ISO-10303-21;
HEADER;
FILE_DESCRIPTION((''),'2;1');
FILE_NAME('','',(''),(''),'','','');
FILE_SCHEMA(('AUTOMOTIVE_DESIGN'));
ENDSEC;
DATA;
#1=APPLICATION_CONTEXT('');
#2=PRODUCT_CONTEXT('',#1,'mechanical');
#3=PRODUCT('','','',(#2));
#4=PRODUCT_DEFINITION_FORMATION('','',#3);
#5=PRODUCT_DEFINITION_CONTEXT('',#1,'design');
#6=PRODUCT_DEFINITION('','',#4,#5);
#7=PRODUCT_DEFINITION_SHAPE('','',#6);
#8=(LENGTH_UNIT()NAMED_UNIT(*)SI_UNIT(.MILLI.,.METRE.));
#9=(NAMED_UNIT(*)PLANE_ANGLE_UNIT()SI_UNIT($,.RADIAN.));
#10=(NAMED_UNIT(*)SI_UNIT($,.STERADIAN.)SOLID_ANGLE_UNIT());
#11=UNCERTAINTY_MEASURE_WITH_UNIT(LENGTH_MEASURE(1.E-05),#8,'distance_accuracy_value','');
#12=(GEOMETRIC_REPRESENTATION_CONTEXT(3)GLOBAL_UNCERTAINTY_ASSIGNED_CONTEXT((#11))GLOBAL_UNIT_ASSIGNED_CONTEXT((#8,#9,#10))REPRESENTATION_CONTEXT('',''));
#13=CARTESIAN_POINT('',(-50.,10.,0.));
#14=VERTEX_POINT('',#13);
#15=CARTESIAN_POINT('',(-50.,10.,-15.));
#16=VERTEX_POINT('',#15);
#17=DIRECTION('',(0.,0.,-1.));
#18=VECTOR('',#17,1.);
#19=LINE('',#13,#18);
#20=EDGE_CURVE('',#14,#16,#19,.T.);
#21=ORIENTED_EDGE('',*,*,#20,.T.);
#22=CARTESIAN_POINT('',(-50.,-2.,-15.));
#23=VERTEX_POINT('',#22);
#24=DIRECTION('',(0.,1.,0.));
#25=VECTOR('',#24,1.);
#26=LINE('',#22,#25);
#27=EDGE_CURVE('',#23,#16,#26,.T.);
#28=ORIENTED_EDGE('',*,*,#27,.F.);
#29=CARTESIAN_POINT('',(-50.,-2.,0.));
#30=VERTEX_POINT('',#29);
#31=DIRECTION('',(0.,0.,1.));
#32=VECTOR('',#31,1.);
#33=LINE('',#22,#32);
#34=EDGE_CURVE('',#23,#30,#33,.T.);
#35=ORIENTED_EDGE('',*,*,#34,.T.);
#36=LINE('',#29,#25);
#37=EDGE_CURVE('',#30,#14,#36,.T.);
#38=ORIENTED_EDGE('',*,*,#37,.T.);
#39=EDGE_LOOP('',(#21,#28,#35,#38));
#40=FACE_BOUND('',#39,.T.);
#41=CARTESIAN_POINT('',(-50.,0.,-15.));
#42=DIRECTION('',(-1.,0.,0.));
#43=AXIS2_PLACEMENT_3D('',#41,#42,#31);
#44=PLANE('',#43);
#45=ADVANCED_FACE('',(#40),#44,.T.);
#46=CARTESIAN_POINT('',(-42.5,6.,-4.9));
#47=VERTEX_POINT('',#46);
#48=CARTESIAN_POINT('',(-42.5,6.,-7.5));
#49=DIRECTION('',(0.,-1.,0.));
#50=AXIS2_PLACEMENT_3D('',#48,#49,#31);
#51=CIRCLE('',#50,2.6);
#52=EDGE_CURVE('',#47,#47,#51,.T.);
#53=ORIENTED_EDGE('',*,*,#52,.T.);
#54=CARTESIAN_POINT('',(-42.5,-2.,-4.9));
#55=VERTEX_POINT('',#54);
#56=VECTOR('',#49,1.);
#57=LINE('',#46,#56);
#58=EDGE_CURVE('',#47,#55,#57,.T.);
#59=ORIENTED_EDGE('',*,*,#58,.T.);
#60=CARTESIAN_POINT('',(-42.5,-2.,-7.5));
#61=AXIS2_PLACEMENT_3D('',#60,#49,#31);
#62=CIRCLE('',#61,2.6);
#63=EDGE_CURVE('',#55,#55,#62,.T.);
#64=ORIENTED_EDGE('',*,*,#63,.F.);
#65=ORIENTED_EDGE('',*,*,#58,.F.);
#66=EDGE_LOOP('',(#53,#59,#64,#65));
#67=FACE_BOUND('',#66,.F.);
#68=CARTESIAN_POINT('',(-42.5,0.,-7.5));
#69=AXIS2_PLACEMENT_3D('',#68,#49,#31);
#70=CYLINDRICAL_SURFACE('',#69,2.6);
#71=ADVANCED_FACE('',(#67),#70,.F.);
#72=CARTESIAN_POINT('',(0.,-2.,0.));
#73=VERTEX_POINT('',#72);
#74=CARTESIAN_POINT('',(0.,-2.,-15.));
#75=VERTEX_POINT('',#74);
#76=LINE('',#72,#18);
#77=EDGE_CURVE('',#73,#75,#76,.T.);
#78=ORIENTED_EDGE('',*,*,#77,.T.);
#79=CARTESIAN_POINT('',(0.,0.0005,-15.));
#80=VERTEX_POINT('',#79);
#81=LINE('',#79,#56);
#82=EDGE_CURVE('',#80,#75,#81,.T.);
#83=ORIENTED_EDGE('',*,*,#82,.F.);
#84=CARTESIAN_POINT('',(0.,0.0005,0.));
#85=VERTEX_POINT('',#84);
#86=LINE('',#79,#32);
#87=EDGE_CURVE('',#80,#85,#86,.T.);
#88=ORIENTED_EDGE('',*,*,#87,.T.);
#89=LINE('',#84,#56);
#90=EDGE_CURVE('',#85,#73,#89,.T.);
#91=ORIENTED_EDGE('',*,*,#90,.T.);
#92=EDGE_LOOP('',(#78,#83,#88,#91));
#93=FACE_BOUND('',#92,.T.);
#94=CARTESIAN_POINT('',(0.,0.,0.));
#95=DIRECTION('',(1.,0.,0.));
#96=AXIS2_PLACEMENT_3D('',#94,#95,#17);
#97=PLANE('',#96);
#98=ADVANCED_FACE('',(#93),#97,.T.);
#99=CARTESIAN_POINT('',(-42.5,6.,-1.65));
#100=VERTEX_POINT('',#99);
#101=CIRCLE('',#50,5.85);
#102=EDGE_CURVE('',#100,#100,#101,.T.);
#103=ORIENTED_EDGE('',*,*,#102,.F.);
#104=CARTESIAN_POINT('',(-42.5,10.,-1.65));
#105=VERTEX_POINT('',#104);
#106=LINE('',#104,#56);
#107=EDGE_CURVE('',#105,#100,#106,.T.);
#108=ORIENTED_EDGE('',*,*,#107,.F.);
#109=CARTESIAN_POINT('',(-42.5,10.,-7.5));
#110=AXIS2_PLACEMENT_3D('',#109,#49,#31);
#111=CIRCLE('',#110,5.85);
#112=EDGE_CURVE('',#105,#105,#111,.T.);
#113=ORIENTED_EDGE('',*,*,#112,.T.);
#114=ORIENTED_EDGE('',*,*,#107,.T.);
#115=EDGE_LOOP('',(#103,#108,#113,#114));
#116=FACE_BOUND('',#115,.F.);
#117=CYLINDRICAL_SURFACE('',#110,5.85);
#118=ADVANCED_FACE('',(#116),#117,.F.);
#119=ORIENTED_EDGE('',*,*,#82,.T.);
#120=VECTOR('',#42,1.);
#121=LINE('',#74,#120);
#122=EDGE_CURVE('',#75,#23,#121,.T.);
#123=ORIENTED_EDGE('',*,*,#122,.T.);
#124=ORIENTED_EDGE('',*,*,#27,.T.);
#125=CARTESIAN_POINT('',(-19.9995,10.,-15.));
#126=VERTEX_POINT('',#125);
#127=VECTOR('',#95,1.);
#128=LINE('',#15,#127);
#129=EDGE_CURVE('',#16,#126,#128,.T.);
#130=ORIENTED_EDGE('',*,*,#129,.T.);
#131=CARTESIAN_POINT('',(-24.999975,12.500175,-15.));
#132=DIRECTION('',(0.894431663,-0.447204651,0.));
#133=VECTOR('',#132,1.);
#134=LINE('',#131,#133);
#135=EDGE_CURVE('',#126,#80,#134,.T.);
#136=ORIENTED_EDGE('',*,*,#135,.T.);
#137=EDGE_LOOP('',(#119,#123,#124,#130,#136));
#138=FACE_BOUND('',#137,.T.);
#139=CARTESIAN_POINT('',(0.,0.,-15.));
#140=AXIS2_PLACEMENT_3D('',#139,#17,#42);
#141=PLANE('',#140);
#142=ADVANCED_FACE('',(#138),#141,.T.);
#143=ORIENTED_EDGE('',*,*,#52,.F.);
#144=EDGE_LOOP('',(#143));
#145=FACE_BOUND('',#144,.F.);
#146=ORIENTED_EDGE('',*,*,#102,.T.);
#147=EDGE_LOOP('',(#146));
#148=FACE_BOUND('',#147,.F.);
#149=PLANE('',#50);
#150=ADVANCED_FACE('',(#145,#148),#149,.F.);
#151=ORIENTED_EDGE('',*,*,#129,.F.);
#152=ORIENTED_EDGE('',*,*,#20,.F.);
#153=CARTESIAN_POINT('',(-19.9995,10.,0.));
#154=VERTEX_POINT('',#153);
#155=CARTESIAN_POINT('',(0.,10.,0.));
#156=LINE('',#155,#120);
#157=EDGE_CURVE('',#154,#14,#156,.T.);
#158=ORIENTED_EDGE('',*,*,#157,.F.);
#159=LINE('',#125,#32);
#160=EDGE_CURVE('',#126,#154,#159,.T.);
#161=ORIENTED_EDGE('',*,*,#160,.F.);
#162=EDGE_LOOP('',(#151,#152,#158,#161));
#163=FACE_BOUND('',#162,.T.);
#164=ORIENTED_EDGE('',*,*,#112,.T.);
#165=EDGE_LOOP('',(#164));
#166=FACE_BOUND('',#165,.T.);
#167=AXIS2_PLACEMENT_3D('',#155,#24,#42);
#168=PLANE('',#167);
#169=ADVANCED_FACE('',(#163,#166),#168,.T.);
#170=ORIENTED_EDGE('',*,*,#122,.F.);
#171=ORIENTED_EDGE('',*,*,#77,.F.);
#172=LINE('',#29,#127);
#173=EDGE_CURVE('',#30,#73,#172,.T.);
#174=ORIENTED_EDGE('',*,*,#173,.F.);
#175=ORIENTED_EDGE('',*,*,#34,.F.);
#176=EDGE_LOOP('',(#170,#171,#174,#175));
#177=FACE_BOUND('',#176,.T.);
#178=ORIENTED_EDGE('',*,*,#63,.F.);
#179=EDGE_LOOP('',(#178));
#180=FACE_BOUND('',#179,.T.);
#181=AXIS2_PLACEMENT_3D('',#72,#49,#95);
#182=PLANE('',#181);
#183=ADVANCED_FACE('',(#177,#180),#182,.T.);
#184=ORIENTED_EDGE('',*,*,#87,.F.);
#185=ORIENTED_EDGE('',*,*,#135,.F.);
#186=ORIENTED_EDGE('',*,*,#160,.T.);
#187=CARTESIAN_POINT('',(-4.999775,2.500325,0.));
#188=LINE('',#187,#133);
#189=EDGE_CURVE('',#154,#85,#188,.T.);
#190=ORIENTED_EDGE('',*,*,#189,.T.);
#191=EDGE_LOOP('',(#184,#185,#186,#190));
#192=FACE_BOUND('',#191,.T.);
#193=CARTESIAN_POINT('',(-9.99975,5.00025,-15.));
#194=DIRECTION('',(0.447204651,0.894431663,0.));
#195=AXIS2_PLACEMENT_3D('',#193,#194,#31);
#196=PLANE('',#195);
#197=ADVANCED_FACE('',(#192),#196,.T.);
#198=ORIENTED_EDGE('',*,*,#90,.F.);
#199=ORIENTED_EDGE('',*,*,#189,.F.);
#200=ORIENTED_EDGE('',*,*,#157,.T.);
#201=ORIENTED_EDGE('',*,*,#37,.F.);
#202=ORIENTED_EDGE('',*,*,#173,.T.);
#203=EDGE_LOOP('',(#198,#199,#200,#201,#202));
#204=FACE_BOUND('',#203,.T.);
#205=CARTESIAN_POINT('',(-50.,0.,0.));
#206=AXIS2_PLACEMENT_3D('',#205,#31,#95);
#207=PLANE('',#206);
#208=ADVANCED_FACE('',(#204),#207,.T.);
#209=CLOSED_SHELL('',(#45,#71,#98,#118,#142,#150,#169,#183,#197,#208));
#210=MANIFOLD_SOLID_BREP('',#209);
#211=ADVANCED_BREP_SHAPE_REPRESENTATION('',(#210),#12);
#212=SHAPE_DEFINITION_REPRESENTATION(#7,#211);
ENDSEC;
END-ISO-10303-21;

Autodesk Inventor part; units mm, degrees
ref_plane "YZ Plane" through (0, 0, 0) normal (1, 0, 0) x (0, 1, 0)
ref_plane "XZ Plane" through (0, 0, 0) normal (0, 1, 0) x (-1, 0, 0)
ref_plane "XY Plane" through (0, 0, 0) normal (0, 0, 1) x (1, 0, 0)
sketch "Boceto1" plane through (0, 0, 0) normal (0, 1, 0) x (-1, 0, 0)
  line L0 (0, 0) -> (50, 0)
  line L1 (50, 0) -> (50, -15)
  line L2 (50, -15) -> (0, -15)
  line L3 (0, -15) -> (0, 0)
  dimension "d0" = 50
  dimension "d1" = 15
extrude "Extrusión1" add sketch "Boceto1" along normal blind 10
sketch "Boceto2" plane through (0, 10, 0) normal (0, 1, 0) x (1, 0, 0)
  line L0 (-50, 15) -> (-50, 0) projected
  line L1 (-50, 0) -> (0, 0) projected
  point P0 (-42.5, 7.5)
  dimension "d4" = 7.5
  dimension "d12" = 7.5
hole "Agujero1" at (-42.5, 10, -7.5) direction (0, -1, 0) diameter 5.2 end through all counterbore diameter 11.7 counterbore depth 4
sketch "Boceto3" plane through (0, 0, 0) normal (1, 0, 0) x (0, 0, -1)
  point P0 (0, 0)
chamfer "Chaflán1" distance 20 distance2 10 1 edges at (0, 10, -7.5) measured on face at (-12.2309, 10, -7.265)
sketch "Boceto4" plane through (0, 0, 0) normal (0, -1, 0) x (1, 0, 0)
  line L0 (0, -15) -> (-50, -15) projected
  line L1 (0, -15) -> (-50, -15)
  line L2 (-50, -15) -> (-50, 0)
  line L3 (-50, 0) -> (0, 0)
  line L4 (0, 0) -> (0, -15)
extrude "Extrusión2" add sketch "Boceto4" along normal blind 2
sketch "Boceto5" plane through (-42.5, 0, -7.5) normal (0, 1, 0) x (1, 0, 0)
  circle A0 centre (0, 0) radius 2.6 projected
  point P0 (42.5, -7.5)
hole "Agujero2" at (-42.5, 0, -7.5) direction (0, -1, 0) diameter 5.2 end through all
properties part number "cuña 5cm"
